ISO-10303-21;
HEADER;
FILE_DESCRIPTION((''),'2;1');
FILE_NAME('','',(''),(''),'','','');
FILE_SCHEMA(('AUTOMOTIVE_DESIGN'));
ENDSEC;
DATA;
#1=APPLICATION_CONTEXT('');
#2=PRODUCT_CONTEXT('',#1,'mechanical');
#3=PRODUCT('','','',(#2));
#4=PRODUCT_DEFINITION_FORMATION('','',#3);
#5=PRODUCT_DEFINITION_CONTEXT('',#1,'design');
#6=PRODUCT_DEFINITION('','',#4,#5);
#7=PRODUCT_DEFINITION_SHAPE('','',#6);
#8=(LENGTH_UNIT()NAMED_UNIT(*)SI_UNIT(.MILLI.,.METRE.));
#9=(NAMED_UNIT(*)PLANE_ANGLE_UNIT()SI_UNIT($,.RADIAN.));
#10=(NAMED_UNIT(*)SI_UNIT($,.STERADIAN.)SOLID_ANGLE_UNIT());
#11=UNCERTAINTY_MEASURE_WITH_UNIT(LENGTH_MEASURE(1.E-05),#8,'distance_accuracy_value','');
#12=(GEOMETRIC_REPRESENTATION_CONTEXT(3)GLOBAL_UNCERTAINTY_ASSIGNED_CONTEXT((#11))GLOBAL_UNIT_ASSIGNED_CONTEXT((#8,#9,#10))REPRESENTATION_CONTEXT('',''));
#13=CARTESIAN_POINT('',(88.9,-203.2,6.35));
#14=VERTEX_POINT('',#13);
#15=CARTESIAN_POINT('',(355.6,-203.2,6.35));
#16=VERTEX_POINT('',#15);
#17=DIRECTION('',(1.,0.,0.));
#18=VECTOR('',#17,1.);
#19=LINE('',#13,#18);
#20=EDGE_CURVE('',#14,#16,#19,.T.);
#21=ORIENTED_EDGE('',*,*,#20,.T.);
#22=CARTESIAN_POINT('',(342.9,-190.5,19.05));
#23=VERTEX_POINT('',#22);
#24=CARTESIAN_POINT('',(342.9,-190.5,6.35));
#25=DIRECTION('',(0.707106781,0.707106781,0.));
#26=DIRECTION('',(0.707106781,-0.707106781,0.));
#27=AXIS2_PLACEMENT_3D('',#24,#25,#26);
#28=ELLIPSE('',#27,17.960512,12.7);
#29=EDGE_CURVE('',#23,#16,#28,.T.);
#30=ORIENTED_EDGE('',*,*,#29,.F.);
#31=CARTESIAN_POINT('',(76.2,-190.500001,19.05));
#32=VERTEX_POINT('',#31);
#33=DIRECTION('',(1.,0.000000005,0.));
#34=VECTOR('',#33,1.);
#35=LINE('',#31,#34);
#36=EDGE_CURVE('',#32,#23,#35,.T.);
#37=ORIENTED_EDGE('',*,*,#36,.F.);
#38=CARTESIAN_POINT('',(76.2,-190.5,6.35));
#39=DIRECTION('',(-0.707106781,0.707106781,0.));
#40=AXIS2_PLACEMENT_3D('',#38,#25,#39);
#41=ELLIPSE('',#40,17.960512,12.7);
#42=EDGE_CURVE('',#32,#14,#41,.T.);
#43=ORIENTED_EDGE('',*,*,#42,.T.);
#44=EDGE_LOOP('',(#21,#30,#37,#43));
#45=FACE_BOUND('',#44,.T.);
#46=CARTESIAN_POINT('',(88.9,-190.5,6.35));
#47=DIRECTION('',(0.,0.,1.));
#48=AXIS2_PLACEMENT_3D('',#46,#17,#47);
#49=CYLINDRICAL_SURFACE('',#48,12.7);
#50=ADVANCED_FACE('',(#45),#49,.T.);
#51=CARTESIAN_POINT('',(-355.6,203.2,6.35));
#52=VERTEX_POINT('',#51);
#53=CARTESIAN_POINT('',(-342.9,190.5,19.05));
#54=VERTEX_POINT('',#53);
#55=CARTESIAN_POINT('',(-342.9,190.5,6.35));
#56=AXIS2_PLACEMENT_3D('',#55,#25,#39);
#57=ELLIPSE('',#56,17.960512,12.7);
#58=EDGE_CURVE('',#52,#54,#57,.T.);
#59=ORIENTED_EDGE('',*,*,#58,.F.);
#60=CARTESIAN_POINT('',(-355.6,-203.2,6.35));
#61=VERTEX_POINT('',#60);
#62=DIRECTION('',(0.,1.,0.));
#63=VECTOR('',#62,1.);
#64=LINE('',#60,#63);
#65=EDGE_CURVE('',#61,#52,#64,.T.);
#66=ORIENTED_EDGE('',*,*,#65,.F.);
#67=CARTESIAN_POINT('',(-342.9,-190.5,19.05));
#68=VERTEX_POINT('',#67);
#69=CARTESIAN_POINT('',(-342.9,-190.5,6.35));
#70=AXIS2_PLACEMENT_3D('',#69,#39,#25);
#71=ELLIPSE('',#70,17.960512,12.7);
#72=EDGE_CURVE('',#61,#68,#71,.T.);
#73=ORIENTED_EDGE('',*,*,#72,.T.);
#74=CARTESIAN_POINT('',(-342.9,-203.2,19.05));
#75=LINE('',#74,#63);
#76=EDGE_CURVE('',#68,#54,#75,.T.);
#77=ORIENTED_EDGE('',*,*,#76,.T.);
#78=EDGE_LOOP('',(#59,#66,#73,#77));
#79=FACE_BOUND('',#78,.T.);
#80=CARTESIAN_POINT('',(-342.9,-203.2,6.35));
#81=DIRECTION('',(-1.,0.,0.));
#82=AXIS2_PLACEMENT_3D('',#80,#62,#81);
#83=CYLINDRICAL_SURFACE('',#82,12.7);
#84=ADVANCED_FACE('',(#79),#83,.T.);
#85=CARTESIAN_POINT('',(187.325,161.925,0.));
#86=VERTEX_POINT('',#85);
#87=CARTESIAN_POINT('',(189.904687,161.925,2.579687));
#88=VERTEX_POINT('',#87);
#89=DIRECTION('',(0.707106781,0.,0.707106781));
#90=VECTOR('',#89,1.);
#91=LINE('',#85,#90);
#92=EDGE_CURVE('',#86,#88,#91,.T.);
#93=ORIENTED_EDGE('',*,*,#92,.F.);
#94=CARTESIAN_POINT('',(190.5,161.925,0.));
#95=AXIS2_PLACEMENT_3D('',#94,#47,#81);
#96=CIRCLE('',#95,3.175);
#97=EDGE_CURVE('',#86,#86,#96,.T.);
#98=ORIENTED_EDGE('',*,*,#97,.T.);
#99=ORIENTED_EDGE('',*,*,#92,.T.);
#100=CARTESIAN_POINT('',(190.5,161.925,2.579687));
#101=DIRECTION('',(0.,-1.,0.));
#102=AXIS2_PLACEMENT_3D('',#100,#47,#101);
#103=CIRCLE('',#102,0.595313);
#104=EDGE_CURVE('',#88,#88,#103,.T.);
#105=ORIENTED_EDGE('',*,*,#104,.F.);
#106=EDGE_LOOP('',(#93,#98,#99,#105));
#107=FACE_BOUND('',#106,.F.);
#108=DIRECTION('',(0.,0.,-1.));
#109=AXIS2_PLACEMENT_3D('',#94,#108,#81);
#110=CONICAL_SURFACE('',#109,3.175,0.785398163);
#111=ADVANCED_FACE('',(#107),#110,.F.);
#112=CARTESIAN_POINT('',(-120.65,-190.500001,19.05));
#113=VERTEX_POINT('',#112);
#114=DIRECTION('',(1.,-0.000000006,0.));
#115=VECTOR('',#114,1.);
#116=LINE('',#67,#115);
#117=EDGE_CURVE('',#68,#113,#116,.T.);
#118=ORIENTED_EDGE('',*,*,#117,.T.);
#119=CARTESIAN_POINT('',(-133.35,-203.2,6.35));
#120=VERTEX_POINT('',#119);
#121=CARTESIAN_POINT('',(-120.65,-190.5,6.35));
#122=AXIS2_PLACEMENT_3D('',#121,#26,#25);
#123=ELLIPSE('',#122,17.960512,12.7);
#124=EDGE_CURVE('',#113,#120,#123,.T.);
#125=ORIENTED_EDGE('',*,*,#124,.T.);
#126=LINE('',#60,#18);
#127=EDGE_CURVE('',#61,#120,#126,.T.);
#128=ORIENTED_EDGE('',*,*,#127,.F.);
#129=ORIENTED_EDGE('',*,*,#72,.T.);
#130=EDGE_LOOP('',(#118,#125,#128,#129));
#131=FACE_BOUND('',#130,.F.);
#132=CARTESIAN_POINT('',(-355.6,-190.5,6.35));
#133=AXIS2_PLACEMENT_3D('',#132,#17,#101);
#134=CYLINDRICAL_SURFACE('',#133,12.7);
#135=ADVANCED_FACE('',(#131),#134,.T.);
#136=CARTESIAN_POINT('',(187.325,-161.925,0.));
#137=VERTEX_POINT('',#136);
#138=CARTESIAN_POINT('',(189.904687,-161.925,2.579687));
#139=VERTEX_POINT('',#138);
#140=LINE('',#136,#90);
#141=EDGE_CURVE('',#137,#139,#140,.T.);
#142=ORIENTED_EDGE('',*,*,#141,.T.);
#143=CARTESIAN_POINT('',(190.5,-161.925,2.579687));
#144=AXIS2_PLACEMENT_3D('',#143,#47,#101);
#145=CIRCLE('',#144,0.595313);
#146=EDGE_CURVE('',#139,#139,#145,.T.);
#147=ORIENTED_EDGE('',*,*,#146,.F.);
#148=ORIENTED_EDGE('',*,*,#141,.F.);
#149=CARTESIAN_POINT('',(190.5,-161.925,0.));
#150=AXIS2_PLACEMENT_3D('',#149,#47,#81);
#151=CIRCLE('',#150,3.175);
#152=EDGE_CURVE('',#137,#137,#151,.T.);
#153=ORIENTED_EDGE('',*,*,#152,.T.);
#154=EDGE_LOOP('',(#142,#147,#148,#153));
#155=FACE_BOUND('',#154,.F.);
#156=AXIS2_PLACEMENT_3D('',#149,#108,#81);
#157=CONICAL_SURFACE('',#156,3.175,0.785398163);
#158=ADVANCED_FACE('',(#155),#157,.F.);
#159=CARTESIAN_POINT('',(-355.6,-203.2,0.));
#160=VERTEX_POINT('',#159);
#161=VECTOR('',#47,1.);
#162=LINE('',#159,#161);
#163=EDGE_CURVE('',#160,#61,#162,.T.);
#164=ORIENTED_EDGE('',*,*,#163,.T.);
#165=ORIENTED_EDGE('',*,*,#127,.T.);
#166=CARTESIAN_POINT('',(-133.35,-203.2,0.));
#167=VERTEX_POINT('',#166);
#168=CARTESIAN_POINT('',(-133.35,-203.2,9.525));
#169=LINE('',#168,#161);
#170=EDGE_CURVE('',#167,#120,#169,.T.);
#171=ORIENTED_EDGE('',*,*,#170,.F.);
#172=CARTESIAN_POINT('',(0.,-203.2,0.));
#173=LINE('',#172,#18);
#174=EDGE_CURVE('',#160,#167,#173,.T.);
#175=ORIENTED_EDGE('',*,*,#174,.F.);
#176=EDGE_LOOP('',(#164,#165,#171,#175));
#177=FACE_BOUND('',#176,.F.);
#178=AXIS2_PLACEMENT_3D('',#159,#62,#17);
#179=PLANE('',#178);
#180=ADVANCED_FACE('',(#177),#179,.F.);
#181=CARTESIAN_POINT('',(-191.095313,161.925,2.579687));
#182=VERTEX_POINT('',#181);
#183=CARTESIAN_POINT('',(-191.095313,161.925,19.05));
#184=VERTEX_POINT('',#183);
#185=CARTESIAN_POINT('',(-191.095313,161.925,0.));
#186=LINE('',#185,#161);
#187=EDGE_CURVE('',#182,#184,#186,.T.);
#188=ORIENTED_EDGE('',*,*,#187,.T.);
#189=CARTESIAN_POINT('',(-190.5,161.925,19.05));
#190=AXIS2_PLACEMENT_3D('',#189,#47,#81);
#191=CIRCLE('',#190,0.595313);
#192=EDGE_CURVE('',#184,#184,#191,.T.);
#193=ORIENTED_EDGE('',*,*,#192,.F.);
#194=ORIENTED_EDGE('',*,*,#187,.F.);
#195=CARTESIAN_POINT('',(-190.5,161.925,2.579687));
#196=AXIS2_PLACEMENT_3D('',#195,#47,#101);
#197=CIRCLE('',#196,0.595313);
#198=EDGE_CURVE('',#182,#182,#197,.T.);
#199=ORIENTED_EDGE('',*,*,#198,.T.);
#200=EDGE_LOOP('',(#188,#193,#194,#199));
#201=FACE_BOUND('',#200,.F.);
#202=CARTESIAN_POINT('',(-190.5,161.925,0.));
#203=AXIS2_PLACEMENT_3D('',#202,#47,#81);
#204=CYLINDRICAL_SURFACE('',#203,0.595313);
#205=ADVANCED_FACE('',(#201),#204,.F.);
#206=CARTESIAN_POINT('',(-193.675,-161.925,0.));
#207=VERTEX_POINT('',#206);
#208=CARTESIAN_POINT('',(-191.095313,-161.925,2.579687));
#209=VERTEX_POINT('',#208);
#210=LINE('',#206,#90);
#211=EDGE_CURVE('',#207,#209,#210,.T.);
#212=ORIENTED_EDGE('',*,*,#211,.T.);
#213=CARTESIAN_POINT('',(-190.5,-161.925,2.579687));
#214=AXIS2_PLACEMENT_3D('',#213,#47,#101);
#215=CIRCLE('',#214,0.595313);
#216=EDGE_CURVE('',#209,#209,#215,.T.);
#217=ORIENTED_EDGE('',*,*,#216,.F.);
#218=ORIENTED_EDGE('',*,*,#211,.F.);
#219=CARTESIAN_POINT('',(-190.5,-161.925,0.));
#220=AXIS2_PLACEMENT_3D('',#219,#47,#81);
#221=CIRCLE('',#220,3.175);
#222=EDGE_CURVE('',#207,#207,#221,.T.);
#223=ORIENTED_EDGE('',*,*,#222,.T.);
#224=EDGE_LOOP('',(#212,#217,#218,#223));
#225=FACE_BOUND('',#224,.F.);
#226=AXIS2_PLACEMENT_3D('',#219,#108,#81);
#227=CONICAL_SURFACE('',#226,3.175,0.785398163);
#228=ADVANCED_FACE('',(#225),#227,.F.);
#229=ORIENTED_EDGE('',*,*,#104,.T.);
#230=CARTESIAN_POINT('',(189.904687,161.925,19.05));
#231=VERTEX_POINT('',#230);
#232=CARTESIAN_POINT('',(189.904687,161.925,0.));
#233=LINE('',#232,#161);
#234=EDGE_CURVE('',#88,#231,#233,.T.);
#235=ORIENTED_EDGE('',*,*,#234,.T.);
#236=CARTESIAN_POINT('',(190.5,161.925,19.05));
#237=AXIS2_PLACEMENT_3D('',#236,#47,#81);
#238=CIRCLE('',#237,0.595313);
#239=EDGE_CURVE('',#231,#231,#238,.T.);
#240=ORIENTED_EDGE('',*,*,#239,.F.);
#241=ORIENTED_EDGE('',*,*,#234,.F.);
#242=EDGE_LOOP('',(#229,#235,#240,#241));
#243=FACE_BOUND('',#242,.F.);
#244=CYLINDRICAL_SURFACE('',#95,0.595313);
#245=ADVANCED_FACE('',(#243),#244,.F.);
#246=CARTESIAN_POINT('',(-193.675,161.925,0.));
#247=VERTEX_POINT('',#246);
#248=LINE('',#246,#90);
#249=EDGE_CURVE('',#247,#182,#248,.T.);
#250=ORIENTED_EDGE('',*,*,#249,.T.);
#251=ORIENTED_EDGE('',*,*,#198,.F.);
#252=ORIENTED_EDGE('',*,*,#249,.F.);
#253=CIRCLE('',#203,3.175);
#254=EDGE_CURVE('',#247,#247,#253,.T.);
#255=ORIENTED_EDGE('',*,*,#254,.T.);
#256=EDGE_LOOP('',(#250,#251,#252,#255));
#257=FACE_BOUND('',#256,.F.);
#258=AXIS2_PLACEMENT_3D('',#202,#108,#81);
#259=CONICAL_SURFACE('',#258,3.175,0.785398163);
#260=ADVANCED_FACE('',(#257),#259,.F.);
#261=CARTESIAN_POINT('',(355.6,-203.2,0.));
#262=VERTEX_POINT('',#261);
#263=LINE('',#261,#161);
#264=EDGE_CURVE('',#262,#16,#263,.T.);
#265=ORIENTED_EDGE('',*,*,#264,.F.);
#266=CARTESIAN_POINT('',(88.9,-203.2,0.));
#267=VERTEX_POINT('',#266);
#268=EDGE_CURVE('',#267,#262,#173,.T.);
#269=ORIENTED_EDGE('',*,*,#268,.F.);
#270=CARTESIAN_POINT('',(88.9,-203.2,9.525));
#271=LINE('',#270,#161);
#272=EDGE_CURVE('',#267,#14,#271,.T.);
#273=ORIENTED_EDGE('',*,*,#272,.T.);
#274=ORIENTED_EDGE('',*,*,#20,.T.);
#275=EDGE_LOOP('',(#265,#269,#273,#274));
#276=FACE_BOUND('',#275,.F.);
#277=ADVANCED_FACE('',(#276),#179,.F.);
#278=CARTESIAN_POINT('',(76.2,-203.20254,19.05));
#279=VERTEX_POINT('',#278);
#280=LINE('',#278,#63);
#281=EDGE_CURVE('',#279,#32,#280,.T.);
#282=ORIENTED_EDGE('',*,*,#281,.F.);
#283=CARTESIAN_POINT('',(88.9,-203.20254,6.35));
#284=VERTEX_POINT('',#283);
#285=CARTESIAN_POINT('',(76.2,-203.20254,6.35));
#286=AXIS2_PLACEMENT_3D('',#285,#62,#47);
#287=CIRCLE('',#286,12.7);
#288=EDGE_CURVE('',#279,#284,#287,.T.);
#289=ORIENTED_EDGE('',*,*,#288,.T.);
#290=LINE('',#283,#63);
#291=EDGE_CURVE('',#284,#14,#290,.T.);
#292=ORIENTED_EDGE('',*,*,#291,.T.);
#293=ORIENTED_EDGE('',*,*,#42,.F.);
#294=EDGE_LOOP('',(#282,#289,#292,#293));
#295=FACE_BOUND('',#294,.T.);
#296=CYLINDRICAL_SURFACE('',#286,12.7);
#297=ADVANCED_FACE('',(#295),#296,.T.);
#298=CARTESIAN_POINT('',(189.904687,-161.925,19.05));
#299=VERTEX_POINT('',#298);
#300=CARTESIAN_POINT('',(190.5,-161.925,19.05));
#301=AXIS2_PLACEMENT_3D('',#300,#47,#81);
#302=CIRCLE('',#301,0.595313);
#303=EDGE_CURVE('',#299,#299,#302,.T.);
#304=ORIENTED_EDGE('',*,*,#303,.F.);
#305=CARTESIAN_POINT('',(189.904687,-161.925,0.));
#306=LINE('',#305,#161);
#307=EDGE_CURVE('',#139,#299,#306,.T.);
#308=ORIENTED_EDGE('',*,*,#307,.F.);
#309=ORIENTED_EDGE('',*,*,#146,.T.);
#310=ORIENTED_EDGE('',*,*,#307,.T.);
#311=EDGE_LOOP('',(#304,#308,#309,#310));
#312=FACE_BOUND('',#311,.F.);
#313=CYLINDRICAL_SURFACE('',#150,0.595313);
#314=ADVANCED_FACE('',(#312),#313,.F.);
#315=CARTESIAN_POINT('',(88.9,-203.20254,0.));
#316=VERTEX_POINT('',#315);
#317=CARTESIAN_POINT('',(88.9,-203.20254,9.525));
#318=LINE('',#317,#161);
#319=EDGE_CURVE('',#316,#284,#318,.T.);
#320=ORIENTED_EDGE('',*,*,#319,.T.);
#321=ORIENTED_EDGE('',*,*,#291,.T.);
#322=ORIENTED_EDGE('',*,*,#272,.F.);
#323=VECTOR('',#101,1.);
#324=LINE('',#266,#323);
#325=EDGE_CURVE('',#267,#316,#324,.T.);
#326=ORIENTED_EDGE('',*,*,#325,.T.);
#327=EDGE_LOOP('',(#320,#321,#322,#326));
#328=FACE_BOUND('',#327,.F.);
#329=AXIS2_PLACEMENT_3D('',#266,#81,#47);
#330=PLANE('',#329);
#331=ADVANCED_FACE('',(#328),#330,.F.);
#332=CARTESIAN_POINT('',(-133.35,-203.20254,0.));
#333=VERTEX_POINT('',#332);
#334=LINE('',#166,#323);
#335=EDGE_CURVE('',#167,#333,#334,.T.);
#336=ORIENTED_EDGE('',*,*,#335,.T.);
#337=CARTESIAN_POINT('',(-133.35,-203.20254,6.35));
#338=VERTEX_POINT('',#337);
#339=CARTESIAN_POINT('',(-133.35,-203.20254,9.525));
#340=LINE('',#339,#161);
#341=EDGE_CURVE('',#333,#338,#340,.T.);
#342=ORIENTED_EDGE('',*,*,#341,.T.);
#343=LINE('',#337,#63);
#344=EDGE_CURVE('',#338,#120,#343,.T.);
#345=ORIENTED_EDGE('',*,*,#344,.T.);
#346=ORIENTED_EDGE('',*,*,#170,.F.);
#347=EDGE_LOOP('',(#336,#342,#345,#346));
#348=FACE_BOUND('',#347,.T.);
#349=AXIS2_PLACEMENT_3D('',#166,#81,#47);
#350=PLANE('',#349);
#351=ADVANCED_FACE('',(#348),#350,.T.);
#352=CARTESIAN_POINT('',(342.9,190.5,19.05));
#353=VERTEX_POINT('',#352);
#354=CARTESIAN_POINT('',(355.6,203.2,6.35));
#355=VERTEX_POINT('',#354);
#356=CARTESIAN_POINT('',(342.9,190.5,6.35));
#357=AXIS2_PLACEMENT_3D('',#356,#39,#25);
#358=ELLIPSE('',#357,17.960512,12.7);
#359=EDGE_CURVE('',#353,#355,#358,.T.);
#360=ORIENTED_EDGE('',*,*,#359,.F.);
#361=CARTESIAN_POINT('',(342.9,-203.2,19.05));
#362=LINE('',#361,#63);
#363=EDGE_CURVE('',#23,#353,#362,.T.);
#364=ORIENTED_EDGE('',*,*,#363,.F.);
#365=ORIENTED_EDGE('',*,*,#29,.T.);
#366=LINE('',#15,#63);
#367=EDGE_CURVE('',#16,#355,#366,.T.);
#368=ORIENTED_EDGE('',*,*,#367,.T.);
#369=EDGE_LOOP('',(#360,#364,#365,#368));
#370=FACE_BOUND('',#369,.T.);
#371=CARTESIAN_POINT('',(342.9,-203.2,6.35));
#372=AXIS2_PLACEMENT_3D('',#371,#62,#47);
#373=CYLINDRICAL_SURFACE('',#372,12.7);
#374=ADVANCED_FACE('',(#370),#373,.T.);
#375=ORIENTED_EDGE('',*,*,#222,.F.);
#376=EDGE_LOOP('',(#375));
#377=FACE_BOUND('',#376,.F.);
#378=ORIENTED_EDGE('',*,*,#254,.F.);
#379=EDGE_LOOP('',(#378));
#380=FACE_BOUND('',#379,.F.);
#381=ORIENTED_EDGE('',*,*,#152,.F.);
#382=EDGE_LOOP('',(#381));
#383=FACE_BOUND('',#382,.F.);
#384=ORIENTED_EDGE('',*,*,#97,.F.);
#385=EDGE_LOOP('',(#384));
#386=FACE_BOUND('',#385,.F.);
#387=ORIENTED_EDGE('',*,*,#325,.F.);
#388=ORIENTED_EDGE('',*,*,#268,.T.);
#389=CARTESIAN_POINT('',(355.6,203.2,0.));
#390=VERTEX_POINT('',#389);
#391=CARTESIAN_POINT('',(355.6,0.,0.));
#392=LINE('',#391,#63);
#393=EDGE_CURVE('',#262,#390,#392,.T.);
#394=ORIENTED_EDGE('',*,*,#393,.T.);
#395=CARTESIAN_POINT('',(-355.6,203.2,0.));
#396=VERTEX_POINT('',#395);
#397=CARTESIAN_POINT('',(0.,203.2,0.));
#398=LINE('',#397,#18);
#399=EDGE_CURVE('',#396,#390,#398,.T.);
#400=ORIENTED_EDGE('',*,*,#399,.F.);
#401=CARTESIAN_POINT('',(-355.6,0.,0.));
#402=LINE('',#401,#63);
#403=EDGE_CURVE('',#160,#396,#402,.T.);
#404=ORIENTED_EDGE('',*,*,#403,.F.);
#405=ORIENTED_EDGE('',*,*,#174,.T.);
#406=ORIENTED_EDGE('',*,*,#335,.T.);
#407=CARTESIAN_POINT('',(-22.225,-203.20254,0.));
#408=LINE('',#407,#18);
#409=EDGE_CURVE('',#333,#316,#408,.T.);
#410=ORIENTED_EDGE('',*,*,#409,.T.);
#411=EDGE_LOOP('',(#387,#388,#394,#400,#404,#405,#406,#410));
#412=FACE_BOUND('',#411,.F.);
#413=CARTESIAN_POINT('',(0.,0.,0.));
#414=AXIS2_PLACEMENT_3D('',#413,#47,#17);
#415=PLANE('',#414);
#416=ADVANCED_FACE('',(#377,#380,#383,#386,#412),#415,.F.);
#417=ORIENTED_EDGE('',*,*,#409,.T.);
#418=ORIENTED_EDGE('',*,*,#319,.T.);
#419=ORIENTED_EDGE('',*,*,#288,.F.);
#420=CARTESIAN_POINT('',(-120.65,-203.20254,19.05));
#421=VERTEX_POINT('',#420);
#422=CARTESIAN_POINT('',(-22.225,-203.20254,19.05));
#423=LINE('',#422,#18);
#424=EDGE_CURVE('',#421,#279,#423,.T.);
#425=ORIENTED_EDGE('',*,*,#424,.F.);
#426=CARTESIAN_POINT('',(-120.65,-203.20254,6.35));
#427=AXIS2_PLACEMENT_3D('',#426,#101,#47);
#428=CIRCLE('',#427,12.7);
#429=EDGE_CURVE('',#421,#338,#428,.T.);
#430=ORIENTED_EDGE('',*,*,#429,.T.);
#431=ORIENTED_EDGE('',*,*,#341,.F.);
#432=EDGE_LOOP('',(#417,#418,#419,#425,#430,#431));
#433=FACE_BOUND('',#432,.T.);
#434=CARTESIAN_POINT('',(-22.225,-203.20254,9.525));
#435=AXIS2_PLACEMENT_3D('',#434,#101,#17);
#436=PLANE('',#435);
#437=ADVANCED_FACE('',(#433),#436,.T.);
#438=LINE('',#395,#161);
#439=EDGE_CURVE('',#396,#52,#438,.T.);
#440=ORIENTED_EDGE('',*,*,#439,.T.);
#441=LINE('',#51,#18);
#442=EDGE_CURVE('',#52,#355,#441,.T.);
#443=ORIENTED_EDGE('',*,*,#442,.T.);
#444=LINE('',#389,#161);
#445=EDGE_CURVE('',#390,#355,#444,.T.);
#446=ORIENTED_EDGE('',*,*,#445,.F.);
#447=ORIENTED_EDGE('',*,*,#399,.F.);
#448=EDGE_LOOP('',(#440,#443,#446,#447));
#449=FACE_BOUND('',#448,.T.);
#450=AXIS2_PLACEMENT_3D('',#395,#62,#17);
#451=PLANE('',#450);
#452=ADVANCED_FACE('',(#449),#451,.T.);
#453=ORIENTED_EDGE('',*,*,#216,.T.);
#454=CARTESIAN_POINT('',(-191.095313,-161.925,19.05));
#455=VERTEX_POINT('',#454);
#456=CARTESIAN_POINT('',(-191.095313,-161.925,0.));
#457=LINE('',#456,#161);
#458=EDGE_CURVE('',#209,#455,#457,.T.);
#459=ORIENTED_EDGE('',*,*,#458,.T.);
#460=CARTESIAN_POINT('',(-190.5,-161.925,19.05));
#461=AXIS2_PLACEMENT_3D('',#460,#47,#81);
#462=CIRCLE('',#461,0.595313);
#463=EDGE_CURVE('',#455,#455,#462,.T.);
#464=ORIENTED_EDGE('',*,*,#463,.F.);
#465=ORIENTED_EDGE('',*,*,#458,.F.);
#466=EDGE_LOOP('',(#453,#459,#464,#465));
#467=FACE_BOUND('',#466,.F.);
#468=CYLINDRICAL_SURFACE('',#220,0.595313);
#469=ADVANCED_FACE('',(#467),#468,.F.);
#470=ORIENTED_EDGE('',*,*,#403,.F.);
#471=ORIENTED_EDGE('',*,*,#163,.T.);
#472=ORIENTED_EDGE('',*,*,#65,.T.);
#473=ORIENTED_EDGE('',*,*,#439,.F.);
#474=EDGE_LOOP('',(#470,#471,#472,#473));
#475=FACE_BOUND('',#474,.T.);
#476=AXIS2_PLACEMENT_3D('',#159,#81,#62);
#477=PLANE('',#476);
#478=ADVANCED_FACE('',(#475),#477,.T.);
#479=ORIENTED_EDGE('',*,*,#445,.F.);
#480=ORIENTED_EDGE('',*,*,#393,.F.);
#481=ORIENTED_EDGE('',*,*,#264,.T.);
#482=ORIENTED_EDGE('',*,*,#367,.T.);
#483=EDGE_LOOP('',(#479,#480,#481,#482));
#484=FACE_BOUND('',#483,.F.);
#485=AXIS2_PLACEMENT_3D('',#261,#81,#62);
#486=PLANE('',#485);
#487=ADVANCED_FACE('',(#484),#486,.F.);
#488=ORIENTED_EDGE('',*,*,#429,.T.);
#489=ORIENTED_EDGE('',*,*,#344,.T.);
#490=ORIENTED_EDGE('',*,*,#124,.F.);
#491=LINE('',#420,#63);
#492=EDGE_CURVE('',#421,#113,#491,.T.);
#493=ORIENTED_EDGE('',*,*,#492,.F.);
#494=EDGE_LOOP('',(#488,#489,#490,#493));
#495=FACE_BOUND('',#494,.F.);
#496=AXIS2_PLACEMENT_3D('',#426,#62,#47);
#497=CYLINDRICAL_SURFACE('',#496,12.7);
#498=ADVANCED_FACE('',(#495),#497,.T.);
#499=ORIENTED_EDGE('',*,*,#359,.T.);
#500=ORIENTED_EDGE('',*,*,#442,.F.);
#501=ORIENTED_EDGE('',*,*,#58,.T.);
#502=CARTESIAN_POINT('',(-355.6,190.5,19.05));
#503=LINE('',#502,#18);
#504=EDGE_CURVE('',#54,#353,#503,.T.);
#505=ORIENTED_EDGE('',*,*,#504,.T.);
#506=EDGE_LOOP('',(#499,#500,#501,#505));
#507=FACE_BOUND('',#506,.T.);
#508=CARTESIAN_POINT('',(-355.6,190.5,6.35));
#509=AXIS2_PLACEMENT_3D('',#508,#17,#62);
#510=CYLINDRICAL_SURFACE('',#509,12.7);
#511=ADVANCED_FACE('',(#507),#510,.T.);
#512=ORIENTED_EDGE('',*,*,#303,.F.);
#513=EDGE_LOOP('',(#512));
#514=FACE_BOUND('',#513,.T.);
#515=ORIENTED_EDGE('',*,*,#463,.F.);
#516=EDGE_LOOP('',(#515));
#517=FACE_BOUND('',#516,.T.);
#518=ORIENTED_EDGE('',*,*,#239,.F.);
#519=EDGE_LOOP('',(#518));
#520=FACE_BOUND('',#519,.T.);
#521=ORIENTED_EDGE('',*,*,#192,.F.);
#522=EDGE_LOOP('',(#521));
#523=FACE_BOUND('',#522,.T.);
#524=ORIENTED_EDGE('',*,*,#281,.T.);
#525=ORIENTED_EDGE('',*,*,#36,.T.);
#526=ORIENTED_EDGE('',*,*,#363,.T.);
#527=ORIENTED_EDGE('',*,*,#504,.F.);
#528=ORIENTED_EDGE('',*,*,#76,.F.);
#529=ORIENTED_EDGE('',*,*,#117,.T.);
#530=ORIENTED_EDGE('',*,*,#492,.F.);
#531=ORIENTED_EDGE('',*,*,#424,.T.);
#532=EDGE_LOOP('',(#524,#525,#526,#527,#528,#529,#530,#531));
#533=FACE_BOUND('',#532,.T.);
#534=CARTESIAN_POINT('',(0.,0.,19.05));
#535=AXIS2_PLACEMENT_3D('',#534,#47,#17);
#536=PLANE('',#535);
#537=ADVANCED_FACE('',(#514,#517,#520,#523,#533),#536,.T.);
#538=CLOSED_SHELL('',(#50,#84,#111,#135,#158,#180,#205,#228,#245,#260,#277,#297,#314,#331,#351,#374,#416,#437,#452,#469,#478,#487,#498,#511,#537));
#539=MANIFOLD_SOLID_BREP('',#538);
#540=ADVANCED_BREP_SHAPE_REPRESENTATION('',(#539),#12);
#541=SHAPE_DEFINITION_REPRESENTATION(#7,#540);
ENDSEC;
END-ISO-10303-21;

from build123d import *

# Parameters (mm, degrees)
F0_W           = 711.2
F0_H           = 406.4
F1_DEPTH       = 19.05
F2_W           = 222.25
F2_H           = 19.05
F3_DEPTH       = 0.00254
F4_R           = 12.7
F5_R           = 12.7
F7_D           = 1.190625
F7_CSINK_D     = 6.35
F7_CSINK_ANGLE = 90


with BuildPart() as f1:
    # F0 (on Top) → F1 (new body)
    with BuildSketch(Plane.XY):
        Rectangle(F0_W, F0_H)
    extrude(amount=F1_DEPTH)

    # F2 (on face) → F3 (join)
    with BuildSketch(Plane.XZ.offset(203.2)):
        with Locations((-22.225, 9.525)):
            Rectangle(F2_W, F2_H)
    extrude(amount=F3_DEPTH)

    # F4
    f4_edges = [f1.edges().sort_by_distance(p)[0] for p in [
        (-244.475, -203.2, 19.05),
        (-355.6, 0, 19.05),
        (222.25, -203.2, 19.05),
        (355.6, 0, 19.05),
        (0, 203.2, 19.05),
    ]]
    fillet(f4_edges, radius=F4_R)

    # F5
    f5_edges = [f1.edges().sort_by_distance(p)[0] for p in [
        (88.9, -203.20127, 19.05),
        (-133.35, -203.20127, 19.05),
    ]]
    fillet(f5_edges, radius=F5_R)

    # F7 (through all)
    with Locations(Plane(origin=(0, 0, 0), x_dir=(1, 0, 0), z_dir=(0, 0, -1))):
        with Locations((190.5, -161.925), (190.5, 161.925), (-190.5, -161.925), (-190.5, 161.925)):
            CounterSinkHole(F7_D / 2, F7_CSINK_D / 2, counter_sink_angle=F7_CSINK_ANGLE)


solid = f1.part
